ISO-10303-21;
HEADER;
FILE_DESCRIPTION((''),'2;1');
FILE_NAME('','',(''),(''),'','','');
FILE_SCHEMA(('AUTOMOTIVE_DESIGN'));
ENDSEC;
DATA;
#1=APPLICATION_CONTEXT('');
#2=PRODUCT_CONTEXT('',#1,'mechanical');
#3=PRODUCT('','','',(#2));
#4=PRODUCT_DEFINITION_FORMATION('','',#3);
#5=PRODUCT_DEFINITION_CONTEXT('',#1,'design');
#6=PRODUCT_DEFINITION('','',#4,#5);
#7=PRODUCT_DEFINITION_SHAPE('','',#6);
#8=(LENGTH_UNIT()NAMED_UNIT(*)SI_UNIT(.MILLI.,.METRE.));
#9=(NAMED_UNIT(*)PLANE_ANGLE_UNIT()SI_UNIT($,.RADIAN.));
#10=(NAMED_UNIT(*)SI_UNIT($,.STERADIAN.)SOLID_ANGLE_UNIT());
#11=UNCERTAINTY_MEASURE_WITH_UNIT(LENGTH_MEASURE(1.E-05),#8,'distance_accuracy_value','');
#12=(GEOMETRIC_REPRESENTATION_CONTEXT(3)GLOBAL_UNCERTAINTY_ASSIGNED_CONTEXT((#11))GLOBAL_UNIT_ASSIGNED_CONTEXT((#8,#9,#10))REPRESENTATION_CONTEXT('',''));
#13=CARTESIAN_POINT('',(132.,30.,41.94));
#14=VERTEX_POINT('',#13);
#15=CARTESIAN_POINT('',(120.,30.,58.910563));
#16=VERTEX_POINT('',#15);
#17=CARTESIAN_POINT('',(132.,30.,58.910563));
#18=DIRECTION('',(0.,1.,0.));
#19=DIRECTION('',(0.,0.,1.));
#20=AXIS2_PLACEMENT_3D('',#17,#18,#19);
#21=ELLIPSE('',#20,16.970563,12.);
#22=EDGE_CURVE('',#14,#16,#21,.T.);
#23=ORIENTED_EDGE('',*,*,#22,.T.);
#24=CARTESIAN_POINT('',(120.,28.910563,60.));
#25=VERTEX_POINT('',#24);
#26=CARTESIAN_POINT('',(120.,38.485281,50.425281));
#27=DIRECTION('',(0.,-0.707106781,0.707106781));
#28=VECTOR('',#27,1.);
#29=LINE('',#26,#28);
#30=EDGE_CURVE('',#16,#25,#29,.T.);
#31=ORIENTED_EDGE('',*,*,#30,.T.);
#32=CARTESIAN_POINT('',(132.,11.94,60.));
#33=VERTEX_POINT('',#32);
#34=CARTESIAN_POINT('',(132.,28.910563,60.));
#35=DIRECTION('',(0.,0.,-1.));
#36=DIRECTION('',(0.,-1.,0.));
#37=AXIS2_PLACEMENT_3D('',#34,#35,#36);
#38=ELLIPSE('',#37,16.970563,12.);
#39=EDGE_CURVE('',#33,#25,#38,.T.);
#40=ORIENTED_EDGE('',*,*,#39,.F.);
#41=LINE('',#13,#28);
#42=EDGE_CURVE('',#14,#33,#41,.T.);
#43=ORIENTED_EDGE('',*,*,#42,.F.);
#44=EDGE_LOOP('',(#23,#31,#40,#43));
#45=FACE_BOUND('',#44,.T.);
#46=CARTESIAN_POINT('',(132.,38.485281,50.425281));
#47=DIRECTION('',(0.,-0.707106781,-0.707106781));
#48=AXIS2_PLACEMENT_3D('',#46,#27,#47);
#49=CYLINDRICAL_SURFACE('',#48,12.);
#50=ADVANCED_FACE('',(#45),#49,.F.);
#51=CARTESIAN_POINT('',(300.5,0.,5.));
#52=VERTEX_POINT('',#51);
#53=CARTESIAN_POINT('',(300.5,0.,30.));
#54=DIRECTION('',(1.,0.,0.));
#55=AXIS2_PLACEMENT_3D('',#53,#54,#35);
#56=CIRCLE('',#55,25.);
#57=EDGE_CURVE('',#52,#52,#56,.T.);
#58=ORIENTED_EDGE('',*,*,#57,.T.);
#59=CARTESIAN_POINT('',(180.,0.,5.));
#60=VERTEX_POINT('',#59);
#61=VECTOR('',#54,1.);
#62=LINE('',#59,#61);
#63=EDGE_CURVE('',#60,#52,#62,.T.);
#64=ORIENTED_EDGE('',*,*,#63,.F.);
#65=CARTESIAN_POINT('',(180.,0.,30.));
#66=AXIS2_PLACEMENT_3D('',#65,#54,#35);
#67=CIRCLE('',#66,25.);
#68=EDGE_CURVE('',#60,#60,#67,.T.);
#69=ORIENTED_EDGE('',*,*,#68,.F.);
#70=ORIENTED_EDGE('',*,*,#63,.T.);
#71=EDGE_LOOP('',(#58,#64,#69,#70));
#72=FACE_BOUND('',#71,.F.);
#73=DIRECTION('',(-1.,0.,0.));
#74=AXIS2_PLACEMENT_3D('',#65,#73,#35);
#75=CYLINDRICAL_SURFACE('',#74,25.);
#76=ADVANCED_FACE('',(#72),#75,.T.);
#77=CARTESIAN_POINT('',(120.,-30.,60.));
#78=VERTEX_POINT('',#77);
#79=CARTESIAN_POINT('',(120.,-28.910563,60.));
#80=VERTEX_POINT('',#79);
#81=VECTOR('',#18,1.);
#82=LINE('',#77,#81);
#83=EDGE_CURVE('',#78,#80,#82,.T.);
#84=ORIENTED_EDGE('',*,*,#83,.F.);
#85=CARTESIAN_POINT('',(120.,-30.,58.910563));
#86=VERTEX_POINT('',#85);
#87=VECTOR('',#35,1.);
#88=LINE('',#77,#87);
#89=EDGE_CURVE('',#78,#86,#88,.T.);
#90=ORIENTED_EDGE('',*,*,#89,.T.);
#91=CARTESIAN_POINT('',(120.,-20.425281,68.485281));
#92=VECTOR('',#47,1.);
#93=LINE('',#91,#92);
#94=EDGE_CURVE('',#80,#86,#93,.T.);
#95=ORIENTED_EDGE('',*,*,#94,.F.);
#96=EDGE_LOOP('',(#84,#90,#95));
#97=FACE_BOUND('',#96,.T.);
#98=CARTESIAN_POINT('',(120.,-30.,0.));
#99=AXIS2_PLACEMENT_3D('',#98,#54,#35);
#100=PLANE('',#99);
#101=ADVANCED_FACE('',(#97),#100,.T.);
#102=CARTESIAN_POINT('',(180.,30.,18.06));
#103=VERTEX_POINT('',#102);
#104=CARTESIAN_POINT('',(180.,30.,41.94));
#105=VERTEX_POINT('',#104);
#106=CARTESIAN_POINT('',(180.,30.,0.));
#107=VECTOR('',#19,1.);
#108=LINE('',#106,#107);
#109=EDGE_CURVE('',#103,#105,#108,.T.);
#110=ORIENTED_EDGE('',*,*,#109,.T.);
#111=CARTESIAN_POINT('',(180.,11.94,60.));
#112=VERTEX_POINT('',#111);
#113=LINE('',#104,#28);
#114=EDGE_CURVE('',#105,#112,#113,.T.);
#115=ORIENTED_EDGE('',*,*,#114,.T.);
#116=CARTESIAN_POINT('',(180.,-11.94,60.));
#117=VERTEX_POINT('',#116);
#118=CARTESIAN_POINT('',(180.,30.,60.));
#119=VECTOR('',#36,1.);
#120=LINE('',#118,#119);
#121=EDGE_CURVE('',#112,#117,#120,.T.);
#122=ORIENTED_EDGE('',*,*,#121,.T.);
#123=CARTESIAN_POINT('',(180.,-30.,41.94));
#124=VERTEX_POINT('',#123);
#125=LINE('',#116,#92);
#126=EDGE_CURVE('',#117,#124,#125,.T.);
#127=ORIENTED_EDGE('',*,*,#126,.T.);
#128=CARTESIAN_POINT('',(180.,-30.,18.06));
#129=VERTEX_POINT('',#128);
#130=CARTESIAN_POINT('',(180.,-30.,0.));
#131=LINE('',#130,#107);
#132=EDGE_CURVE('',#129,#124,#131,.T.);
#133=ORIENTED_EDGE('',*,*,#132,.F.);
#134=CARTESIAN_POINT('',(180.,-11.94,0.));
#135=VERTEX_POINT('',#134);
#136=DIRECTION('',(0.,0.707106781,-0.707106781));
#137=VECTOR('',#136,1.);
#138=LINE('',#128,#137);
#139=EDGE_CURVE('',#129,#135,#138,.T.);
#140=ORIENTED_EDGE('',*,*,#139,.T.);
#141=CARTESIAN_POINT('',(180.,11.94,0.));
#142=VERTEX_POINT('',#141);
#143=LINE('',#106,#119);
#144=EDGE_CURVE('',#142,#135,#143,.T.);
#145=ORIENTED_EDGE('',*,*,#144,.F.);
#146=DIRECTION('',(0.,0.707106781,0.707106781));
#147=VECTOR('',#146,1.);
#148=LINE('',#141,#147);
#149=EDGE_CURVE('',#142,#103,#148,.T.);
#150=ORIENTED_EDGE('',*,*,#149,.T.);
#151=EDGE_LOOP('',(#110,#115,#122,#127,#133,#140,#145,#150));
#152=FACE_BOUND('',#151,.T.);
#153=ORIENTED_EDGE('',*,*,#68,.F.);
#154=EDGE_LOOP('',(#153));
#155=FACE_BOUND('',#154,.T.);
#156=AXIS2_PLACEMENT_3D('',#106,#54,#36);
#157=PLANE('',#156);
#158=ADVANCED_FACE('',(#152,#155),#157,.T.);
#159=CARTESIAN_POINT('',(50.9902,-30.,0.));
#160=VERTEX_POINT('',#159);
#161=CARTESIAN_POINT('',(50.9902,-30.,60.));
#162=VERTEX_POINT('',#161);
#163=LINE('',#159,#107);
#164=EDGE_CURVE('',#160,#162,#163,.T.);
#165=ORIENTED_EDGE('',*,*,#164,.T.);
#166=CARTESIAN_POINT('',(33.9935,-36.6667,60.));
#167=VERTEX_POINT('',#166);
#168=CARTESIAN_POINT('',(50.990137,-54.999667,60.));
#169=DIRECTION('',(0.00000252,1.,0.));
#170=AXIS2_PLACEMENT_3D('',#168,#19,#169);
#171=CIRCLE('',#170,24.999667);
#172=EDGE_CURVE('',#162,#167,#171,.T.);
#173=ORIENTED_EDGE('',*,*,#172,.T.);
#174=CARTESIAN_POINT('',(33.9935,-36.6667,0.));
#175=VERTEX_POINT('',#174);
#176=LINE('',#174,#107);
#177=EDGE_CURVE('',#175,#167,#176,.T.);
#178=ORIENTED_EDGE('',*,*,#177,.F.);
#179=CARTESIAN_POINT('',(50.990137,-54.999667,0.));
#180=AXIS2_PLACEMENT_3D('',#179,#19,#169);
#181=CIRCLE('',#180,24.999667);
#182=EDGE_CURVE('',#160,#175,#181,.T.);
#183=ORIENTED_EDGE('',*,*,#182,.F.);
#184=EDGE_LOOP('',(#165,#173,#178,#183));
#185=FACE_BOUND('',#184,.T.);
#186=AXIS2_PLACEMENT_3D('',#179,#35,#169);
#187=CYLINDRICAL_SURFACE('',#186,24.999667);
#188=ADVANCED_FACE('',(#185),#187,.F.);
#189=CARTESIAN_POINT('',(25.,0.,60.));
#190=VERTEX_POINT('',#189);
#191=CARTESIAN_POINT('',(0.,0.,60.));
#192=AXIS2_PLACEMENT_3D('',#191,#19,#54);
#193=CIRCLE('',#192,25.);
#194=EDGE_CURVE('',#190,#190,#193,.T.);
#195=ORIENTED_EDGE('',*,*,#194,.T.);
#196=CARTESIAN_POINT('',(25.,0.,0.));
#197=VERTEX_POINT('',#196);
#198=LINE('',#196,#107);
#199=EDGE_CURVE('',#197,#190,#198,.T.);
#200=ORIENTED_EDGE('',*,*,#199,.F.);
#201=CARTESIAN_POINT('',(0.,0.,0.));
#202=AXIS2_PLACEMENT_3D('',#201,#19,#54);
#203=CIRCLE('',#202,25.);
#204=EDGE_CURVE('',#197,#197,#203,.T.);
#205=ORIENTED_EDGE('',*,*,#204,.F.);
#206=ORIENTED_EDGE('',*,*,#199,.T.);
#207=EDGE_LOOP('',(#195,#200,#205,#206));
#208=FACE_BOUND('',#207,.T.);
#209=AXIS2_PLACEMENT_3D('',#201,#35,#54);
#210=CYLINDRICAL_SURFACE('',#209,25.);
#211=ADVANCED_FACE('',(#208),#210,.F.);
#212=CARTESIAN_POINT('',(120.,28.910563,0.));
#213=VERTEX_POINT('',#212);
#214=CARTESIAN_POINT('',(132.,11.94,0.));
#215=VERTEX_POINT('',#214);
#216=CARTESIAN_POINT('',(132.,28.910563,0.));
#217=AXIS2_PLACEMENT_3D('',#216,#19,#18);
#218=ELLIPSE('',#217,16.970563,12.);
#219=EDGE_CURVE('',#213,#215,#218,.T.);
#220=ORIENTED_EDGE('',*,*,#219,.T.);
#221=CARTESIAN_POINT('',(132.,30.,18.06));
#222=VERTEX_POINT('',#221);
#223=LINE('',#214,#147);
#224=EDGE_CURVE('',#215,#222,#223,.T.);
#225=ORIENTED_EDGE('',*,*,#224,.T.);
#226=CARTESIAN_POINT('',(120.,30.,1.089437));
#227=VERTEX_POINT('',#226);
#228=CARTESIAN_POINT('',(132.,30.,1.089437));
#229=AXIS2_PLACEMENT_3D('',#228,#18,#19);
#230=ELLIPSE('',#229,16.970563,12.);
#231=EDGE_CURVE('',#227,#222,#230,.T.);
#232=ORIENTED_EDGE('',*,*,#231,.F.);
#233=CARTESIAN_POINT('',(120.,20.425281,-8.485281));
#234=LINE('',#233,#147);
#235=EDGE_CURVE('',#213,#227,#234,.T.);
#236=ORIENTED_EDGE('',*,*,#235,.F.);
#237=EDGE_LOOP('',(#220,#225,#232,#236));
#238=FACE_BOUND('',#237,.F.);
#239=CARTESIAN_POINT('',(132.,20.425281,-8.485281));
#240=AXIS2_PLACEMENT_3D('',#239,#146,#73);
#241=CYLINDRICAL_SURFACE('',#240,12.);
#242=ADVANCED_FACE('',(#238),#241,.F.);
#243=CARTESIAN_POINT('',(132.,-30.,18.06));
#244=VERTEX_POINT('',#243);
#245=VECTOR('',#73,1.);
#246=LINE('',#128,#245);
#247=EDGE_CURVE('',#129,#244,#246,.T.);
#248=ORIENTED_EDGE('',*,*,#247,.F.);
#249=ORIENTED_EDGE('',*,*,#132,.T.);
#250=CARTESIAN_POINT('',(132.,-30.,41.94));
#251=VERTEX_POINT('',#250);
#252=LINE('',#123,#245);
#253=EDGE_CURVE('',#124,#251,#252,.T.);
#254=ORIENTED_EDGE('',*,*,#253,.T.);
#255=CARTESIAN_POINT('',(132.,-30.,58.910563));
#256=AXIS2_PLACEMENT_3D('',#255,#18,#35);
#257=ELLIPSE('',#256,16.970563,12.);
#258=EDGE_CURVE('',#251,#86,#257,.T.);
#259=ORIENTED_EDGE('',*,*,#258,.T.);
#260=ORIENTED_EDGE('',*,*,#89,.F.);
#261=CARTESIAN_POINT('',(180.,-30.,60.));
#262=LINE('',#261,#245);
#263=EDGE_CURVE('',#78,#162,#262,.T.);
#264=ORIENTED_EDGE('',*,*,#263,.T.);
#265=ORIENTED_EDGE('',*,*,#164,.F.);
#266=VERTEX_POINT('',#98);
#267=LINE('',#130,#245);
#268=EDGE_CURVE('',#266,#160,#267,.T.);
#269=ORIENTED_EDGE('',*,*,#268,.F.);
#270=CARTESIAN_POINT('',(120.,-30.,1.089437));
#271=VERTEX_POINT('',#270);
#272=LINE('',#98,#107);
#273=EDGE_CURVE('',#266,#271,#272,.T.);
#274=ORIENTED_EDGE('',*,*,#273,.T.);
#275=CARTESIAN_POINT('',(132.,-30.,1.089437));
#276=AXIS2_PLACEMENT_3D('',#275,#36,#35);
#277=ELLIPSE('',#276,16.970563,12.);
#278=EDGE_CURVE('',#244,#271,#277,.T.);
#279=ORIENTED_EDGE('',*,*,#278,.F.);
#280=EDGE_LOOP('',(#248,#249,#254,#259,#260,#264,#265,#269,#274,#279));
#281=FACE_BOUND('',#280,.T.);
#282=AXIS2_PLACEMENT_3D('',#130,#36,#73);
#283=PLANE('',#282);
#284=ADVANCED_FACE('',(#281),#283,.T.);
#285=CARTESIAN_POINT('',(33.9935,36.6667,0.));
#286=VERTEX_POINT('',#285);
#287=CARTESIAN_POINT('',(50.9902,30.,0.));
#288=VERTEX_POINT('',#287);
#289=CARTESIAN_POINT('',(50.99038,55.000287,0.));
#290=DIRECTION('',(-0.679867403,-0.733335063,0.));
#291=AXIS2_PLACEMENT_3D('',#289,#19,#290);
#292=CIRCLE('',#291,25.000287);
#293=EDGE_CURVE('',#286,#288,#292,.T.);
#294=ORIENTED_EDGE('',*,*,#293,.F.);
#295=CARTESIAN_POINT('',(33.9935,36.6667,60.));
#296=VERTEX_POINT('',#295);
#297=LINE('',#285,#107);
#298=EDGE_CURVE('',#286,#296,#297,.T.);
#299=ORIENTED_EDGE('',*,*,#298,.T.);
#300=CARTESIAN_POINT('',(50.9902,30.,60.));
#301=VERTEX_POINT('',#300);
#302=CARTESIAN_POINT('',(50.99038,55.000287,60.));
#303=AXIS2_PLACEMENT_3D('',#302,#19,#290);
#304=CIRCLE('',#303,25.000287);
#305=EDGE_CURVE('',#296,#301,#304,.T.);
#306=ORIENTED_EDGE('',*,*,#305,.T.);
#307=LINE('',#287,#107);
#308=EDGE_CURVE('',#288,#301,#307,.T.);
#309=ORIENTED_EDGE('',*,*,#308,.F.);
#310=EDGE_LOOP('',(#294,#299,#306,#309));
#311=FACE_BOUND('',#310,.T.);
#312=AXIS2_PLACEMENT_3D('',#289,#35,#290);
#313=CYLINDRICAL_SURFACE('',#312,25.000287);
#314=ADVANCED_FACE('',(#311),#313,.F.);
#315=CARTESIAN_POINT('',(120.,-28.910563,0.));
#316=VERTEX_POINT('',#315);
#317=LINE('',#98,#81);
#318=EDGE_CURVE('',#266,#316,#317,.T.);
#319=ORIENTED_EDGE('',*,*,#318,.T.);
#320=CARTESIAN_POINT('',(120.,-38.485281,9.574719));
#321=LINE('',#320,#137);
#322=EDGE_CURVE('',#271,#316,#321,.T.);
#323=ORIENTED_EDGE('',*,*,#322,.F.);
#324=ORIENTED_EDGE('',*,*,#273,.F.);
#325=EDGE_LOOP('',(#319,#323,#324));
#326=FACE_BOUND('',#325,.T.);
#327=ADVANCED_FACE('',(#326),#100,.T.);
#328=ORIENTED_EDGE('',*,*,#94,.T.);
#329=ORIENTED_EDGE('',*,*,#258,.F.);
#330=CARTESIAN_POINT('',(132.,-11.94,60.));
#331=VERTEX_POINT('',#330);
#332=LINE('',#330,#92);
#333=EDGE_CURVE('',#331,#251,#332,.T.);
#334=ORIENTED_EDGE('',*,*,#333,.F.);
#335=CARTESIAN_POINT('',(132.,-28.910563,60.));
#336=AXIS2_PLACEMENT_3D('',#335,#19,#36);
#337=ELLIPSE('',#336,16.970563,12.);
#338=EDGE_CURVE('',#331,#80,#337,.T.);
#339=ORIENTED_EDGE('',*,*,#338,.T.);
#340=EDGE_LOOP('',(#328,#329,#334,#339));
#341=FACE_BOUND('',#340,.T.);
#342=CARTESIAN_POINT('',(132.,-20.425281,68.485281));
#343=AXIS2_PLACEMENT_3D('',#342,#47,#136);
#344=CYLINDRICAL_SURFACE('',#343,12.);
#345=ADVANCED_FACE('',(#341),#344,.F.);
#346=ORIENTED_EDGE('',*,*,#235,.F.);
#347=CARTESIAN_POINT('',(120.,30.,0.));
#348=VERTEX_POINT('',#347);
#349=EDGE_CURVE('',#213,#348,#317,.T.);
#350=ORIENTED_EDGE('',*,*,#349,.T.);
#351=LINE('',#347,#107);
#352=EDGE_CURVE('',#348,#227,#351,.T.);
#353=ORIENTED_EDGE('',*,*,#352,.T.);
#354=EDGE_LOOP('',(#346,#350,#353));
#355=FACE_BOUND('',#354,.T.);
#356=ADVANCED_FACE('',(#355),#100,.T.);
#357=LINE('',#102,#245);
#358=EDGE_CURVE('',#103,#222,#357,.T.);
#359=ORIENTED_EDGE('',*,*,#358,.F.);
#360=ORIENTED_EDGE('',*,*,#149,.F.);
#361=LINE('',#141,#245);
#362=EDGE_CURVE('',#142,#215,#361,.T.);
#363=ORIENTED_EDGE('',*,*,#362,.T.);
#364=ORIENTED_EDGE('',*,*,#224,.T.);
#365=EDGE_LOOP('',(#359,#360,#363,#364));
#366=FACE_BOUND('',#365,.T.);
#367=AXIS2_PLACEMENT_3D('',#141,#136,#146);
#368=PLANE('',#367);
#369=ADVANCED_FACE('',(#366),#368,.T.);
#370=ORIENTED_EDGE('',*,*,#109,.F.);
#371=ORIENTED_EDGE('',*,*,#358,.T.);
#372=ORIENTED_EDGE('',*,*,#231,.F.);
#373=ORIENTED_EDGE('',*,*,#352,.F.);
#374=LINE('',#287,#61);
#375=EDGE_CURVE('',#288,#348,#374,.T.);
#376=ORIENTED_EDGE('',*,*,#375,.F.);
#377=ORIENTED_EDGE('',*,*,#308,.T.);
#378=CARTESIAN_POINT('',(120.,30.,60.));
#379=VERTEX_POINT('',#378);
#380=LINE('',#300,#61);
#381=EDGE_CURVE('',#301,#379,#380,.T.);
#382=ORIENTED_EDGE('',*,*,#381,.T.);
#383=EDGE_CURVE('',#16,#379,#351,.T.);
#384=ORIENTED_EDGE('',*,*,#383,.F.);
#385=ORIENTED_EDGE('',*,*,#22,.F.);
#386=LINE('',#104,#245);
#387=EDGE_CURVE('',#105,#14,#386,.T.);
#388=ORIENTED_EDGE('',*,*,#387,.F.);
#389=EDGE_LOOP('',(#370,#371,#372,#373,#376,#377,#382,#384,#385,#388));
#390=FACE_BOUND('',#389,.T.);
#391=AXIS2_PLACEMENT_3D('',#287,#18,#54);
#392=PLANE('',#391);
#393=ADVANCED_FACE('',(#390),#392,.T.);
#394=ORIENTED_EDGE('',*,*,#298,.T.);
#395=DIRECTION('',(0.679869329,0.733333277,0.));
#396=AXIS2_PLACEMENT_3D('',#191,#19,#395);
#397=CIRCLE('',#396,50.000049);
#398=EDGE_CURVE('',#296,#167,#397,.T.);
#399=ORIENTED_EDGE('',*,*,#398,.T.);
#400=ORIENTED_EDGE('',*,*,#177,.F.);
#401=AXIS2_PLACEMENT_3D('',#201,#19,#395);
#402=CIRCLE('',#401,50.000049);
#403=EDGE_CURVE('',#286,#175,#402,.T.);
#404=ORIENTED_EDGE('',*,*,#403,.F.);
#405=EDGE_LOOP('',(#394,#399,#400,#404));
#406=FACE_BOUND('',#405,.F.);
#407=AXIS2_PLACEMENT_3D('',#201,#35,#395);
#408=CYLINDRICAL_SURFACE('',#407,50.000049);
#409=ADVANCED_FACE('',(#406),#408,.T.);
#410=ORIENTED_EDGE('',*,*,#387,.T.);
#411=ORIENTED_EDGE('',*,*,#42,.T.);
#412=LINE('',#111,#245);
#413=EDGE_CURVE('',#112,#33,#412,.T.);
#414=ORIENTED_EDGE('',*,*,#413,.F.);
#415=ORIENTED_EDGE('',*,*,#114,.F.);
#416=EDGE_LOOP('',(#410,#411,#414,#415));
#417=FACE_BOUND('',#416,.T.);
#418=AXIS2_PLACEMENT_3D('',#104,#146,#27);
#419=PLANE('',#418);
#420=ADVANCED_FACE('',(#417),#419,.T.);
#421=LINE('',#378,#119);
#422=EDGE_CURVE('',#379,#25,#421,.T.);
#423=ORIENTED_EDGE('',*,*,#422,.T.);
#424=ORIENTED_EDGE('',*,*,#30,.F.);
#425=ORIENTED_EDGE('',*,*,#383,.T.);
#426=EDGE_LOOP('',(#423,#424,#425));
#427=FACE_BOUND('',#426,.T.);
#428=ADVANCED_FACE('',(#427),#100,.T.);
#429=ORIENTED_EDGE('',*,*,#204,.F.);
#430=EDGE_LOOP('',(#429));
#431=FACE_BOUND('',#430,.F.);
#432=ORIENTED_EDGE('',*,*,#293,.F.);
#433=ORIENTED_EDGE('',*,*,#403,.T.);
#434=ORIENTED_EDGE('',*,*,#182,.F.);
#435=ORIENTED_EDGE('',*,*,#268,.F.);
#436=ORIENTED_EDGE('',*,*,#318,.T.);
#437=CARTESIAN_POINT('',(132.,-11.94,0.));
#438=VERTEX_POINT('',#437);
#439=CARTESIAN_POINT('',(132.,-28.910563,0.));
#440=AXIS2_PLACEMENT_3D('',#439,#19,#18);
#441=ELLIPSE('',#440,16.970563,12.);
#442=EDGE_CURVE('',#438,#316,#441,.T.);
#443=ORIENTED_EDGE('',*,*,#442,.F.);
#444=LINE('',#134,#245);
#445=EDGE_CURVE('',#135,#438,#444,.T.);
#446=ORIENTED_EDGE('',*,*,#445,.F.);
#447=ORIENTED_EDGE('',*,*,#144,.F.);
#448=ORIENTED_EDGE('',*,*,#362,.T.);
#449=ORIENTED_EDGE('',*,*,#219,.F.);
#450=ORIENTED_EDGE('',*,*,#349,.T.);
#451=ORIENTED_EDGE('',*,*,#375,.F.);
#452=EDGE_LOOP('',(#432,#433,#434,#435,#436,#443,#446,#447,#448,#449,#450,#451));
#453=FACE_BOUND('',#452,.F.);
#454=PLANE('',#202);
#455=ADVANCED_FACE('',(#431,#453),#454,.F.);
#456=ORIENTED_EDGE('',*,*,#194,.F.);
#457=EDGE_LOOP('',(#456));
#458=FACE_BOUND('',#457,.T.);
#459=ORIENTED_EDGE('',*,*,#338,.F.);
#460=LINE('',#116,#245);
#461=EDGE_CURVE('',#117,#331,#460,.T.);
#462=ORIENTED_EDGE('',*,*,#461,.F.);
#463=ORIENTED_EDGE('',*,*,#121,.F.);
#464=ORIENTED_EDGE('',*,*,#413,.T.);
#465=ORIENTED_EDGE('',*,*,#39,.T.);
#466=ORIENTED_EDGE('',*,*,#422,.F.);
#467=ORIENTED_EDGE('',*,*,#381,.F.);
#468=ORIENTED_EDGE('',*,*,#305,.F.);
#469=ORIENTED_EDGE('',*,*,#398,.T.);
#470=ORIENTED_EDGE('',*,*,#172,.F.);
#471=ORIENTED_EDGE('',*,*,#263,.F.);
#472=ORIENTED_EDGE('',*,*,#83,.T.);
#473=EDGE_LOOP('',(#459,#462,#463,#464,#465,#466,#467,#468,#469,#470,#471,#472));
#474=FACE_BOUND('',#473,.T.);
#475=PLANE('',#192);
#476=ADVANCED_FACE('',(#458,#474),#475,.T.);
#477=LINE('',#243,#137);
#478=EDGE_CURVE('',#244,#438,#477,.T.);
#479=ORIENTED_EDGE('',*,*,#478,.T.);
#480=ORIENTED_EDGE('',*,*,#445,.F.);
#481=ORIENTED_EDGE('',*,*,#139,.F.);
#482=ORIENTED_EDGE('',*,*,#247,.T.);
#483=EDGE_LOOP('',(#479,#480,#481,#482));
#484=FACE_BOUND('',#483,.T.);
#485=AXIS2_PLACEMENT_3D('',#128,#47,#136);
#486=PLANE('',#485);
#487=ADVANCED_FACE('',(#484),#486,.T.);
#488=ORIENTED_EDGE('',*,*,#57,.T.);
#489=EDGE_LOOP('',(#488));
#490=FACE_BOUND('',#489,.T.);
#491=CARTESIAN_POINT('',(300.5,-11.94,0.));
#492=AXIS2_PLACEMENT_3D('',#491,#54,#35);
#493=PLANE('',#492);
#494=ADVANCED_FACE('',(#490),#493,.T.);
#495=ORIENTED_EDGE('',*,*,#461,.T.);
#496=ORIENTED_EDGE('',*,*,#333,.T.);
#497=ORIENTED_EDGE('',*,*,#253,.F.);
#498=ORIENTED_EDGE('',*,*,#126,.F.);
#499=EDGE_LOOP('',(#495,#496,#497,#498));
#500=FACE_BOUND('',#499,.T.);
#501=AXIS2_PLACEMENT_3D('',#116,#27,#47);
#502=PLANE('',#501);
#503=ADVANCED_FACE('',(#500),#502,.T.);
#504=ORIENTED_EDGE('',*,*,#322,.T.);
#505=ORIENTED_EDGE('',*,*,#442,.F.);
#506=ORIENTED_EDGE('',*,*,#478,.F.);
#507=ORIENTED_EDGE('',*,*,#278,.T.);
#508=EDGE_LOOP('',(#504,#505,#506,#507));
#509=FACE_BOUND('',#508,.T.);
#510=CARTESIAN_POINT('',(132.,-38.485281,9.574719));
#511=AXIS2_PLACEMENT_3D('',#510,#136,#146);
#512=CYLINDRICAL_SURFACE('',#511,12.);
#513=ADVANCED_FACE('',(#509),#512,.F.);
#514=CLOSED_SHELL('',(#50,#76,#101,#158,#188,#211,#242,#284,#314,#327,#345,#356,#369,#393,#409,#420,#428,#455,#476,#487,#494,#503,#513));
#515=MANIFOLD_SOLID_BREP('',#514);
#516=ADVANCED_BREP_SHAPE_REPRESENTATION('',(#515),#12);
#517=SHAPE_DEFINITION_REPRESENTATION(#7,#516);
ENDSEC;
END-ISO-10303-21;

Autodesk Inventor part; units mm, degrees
ref_plane "YZ Plane" through (0, 0, 0) normal (1, 0, 0) x (0, 1, 0)
ref_plane "XZ Plane" through (0, 0, 0) normal (0, 1, 0) x (-1, 0, 0)
ref_plane "XY Plane" through (0, 0, 0) normal (0, 0, 1) x (1, 0, 0)
sketch "Boceto1" plane through (0, 0, 0) normal (0, 0, 1) x (1, 0, 0)
  arc A0 (33.9935, 36.6667) -> (33.9935, -36.6667) centre (0, 0) ccw
  circle A1 centre (0, 0) radius 25
  line L0 (50.9902, 30) -> (180, 30)
  line L1 (180, 30) -> (180, -30)
  line L2 (180, -30) -> (50.9902, -30)
  arc A2 (33.9935, 36.6667) -> (50.9902, 30) centre (50.9902, 55) ccw
  arc A3 (50.9902, -30) -> (33.9935, -36.6667) centre (50.9902, -55) ccw
  dimension "d0" = 100
  dimension "d1" = 50
  dimension "d6" = 50
  dimension "d7" = 50
extrude "Extrusión1" add sketch "Boceto1" along normal blind 60
sketch "Boceto2" plane through (180, -30, 0) normal (1, 0, 0) x (0, 0, -1)
  line L0 (0, 60) -> (-60, 60) projected
  line L1 (0, 0) -> (0, 60) projected
  line L2 (0, 60) -> (-18.06, 60)
  line L3 (0, 60) -> (0, 41.94)
  line L4 (0, 80) -> (0, -20) projected
  line L5 (0, 41.94) -> (-18.06, 60)
  line L6 (-41.94, 60) -> (-60, 41.94)
  line L7 (-60, 60) -> (-60, 41.94)
  line L8 (-60, 60) -> (-41.94, 60)
  line L9 (-60, 18.06) -> (-41.94, 0)
  line L10 (-60, 0) -> (-41.94, 0)
  line L11 (-60, 0) -> (-60, 18.06)
  line L12 (-18.06, 0) -> (0, 18.06)
  line L13 (0, 0) -> (0, 18.06)
  line L14 (0, 0) -> (-18.06, 0)
  point P0 (0, 30)
  point P1 (-30, 30)
  point P2 (-30, 60)
  point P3 (0, 30)
  point P4 (0, 66.6667)
  point P5 (0, -6.6667)
  dimension "d11" = 18.06
  dimension "d12" = 18.06
  dimension "d15" = 360
extrude "Extrusión3" cut sketch "Boceto2" against normal blind 60
sketch "Boceto3" plane through (180, -11.94, 0) normal (1, 0, 0) x (0, 0, -1)
  circle A0 centre (-30, 11.94) radius 25
  line L0 (-18.06, 41.94) -> (-41.94, 41.94) projected
  line L1 (0, 0) -> (0, 23.88) projected
  point P0 (0, 11.94)
  point P1 (-30, 41.94)
  point P2 (0, 11.94)
  dimension "d21" = 50
extrude "Extrusión4" add sketch "Boceto3" along normal blind 120.5
fillet "Empalme1" radius 12 4 edges at (120, 20.97, 50.97) (120, 20.97, 9.03) (120, -20.97, 9.03) (120, -20.97, 50.97)
properties part number "Eye end" material "Stainless Steel, 440C"
